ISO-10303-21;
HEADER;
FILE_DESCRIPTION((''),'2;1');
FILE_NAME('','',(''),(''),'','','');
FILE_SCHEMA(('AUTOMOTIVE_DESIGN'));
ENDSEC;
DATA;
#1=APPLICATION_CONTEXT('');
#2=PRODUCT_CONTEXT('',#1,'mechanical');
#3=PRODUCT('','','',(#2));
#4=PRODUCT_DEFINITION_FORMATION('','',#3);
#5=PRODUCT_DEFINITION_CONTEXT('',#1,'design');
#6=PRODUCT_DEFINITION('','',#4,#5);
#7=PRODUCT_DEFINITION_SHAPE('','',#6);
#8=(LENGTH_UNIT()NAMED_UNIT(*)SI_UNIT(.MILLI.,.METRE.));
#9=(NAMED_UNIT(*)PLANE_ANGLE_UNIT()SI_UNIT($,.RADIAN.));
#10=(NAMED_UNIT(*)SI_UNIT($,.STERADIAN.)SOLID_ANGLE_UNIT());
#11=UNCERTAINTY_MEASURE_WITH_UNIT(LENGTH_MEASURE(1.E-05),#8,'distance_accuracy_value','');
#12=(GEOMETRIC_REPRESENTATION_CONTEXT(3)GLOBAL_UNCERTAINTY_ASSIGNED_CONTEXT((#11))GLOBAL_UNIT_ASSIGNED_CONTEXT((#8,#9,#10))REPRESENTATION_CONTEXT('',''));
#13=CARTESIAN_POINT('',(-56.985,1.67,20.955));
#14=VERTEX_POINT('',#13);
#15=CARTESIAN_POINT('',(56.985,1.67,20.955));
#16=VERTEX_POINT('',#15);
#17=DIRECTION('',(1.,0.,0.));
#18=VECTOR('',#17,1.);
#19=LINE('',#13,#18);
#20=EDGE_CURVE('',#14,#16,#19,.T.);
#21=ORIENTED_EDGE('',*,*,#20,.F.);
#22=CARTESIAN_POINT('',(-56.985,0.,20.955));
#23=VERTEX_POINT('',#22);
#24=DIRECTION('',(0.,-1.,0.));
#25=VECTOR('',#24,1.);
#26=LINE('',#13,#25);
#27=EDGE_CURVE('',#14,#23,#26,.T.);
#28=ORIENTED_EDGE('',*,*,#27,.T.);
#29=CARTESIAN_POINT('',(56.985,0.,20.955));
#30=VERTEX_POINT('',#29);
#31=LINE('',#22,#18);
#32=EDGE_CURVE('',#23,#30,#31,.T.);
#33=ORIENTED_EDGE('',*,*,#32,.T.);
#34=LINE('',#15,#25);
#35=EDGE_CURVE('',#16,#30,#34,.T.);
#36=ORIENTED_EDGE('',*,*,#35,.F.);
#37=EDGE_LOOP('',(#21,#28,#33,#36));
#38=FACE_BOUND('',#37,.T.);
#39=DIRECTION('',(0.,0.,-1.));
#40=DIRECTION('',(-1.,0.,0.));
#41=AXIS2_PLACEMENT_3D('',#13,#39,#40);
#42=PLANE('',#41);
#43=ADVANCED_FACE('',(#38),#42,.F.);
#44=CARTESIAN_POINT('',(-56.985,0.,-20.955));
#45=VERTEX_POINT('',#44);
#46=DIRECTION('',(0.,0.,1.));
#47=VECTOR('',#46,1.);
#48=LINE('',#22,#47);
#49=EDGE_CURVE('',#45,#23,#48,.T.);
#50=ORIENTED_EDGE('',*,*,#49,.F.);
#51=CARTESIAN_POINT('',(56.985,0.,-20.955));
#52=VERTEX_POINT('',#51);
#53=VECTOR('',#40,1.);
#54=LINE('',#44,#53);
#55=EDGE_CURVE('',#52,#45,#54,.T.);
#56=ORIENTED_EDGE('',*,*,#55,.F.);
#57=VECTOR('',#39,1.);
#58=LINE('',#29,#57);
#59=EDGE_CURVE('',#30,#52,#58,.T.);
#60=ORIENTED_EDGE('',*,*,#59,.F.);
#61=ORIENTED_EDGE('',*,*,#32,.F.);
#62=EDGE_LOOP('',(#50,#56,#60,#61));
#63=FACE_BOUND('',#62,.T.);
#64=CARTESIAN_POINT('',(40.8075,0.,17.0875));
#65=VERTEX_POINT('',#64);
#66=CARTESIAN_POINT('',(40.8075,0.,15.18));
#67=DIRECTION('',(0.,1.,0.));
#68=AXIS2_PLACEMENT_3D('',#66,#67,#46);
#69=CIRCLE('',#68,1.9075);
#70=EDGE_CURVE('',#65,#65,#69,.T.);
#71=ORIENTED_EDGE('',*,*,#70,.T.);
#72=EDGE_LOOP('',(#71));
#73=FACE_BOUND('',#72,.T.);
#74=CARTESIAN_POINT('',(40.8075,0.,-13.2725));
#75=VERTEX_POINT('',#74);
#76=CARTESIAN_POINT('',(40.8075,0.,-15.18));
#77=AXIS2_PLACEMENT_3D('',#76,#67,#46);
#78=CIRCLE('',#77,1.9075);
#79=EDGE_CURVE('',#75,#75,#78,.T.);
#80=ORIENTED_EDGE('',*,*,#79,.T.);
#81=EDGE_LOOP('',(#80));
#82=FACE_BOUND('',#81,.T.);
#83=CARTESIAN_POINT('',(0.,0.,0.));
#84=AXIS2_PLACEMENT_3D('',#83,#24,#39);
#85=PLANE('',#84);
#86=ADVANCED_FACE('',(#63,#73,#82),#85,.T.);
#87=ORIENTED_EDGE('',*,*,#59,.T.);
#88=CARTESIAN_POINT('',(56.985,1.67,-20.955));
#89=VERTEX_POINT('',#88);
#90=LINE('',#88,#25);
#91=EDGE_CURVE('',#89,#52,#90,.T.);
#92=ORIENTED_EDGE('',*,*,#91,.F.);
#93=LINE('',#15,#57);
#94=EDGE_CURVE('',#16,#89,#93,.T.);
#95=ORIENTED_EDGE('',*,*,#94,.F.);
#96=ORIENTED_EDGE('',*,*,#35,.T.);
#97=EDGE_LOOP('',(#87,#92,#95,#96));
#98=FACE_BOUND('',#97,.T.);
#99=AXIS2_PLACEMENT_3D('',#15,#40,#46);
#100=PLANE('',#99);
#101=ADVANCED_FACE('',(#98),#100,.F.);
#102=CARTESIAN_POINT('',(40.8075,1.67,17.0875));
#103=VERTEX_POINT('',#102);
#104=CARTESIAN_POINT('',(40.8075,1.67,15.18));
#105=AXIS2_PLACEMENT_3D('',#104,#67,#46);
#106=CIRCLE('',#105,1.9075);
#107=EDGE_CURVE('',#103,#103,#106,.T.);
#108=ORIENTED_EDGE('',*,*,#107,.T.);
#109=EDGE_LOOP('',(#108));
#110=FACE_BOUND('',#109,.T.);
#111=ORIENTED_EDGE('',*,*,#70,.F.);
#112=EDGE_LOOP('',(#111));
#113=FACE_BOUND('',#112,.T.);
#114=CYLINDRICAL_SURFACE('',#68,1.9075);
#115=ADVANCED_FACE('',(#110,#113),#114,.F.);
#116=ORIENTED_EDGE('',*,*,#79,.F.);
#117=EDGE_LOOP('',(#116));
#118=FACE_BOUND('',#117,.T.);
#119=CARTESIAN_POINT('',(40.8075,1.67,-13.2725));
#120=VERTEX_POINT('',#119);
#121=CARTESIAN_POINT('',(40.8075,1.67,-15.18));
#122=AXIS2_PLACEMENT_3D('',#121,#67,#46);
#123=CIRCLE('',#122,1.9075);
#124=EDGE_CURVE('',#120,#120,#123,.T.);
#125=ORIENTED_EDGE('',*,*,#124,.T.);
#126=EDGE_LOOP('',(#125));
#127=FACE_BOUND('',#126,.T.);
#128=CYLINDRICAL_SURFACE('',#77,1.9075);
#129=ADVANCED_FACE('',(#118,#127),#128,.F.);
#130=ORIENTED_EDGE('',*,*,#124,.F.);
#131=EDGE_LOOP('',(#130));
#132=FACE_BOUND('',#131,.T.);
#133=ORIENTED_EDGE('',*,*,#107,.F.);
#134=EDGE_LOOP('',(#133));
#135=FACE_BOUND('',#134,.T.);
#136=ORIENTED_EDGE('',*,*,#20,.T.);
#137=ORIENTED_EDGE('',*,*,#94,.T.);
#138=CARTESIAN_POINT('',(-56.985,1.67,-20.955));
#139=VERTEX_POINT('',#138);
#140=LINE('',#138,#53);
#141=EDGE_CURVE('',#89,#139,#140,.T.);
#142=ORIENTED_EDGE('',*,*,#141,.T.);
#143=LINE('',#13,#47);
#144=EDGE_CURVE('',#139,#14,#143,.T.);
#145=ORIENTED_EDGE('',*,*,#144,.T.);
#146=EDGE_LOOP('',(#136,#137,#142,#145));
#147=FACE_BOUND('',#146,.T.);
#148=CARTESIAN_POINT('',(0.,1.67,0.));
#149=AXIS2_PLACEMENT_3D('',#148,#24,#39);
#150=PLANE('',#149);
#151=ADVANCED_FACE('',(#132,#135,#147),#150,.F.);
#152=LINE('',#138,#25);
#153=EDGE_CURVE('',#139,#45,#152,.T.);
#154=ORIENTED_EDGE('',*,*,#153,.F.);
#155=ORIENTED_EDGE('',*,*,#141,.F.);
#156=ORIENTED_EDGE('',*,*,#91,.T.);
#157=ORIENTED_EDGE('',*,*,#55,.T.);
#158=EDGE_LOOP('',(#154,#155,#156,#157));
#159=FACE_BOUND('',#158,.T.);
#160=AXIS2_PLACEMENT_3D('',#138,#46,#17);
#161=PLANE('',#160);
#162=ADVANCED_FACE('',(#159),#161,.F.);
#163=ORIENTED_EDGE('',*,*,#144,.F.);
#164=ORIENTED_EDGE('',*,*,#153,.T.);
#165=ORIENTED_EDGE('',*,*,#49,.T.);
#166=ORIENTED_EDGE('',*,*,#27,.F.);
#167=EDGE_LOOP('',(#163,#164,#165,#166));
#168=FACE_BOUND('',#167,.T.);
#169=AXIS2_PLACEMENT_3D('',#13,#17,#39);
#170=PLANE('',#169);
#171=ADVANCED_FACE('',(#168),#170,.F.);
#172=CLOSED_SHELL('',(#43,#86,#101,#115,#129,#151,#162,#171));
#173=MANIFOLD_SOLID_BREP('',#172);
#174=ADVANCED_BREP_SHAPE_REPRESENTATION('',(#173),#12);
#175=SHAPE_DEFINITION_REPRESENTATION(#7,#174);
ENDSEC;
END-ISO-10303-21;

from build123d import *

# Parameters (mm, degrees)
SKETCH2_W           = 113.97
SKETCH2_H           = 41.91
BOSS_EXTRUDE1_DEPTH = 1.67
SKETCH3_R           = 1.9075
CUT_EXTRUDE1_DEPTH  = 61.73871212


with BuildPart() as part:
    # Sketch2 → Boss-Extrude1 (new body)
    with BuildSketch(Plane(origin=(0, 0, 0), x_dir=(1, 0, 0), z_dir=(0, 1, 0))):
        Rectangle(SKETCH2_W, SKETCH2_H)
    extrude(amount=BOSS_EXTRUDE1_DEPTH)

    # Sketch3 → Cut-Extrude1 (cut, through all)
    with BuildSketch(Plane(origin=(0, 1.67, 0), x_dir=(1, 0, 0), z_dir=(0, 1, 0))):
        with Locations(Location((40.8075, 15.18, 0), (0, 0, 270))):
            Circle(SKETCH3_R)
        with Locations(Location((40.8075, -15.18, 0), (0, 0, 270))):
            Circle(SKETCH3_R)
    extrude(amount=-CUT_EXTRUDE1_DEPTH, mode=Mode.SUBTRACT)


solid = part.part
